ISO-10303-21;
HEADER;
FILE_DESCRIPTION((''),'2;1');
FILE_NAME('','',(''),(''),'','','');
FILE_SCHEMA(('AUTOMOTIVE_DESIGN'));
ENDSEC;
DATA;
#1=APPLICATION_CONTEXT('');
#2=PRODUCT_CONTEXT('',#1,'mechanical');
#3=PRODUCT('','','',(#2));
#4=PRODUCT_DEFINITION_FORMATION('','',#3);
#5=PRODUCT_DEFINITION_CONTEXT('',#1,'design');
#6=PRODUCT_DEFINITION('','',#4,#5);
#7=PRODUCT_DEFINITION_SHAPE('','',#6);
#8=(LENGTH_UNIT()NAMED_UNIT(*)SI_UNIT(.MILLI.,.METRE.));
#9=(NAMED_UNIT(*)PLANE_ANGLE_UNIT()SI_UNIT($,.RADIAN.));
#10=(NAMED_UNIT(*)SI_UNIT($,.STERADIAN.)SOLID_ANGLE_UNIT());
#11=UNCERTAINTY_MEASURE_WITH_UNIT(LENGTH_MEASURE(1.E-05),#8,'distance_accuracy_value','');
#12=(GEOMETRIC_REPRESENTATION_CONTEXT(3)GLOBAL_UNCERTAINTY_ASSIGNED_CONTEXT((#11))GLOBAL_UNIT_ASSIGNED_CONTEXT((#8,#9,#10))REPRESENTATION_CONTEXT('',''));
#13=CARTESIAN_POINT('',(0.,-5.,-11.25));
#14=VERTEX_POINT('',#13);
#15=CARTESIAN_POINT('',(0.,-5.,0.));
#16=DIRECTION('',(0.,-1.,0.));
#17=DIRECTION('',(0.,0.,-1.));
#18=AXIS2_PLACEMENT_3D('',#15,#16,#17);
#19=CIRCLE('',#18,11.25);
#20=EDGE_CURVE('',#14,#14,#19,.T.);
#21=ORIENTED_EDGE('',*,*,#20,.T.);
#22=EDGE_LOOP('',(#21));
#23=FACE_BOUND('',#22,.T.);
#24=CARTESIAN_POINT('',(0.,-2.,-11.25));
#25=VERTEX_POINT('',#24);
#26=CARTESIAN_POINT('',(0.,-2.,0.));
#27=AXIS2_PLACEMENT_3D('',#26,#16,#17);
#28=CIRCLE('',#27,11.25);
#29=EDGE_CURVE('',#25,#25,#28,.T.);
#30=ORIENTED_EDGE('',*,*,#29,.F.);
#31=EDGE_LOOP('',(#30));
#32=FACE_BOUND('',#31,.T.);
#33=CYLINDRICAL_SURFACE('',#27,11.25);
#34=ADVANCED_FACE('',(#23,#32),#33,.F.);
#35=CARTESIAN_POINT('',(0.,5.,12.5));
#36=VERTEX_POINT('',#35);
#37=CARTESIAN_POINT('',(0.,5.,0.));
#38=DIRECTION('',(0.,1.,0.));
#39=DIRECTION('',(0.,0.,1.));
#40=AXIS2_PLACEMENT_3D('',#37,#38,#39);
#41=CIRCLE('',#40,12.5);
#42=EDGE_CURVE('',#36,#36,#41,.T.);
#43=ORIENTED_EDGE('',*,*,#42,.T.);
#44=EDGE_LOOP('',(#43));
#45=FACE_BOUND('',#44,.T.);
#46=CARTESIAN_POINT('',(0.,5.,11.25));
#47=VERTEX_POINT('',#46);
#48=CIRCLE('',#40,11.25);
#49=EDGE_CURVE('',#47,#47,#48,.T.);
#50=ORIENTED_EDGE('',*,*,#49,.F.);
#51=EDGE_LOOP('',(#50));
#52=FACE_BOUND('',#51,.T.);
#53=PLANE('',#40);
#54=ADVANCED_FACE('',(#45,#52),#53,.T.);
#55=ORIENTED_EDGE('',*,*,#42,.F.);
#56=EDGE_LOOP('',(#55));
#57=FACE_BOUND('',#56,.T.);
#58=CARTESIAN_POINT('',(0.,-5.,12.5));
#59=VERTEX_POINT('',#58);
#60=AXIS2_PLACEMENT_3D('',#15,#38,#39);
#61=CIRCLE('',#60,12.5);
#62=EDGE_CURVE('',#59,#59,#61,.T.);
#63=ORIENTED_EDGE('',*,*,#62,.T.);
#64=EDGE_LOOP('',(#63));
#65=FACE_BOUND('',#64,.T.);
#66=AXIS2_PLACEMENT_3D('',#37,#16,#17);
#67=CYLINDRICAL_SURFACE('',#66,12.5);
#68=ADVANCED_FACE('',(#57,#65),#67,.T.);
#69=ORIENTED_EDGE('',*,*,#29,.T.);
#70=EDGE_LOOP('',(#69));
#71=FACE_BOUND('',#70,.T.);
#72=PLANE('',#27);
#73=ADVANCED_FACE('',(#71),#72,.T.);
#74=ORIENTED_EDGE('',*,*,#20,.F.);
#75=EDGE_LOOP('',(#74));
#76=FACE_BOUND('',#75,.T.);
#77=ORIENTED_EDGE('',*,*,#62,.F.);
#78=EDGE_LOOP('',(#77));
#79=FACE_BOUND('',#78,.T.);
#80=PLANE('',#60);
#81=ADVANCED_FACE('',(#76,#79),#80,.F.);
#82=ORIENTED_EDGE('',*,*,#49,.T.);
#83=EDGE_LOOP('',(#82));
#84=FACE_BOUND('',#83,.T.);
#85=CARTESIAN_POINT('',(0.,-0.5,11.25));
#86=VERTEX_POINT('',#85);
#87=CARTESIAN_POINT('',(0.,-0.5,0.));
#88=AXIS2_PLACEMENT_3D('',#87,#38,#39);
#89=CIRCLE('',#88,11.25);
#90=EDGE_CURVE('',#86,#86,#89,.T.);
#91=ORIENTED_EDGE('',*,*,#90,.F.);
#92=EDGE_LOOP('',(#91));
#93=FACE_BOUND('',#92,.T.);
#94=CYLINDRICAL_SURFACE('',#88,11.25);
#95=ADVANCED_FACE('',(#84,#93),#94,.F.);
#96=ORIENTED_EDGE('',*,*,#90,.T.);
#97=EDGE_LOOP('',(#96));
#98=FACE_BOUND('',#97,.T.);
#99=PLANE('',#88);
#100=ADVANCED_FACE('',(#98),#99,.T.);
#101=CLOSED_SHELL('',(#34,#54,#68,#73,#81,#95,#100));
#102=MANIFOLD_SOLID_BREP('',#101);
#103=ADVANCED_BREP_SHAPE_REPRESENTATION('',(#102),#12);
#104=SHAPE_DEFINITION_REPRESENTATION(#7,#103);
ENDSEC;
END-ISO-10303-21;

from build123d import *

# Parameters (mm, degrees)
SKETCH1_R           = 12.5
BOSS_EXTRUDE1_DEPTH = 5
SKETCH2_R           = 11.25
CUT_EXTRUDE1_DEPTH  = 5.5
CUT_EXTRUDE2_START  = -3
SKETCH3_R           = 11.25
CUT_EXTRUDE2_DEPTH  = 3


with BuildPart() as part:
    # Sketch1 → Boss-Extrude1 (new, symmetric)
    with BuildSketch(Plane(origin=(0, 0, 0), x_dir=(1, 0, 0), z_dir=(0, 1, 0))):
        with Locations(Location((0, 0, 0), (0, 0, 270))):
            Circle(SKETCH1_R)
    extrude(amount=BOSS_EXTRUDE1_DEPTH, both=True)

    # Sketch2 → Cut-Extrude1 (cut)
    with BuildSketch(Plane(origin=(0, 5, 0), x_dir=(1, 0, 0), z_dir=(0, 1, 0))):
        with Locations(Location((0, 0, 0), (0, 0, 270))):
            Circle(SKETCH2_R)
    extrude(amount=-CUT_EXTRUDE1_DEPTH, mode=Mode.SUBTRACT)

    # Sketch3 → Cut-Extrude2 (cut)
    with BuildSketch(Plane.XZ.offset(5).offset(CUT_EXTRUDE2_START)):
        with Locations(Location((0, 0, 0), (0, 0, 90))):
            Circle(SKETCH3_R)
    extrude(amount=CUT_EXTRUDE2_DEPTH, mode=Mode.SUBTRACT)


solid = part.part
